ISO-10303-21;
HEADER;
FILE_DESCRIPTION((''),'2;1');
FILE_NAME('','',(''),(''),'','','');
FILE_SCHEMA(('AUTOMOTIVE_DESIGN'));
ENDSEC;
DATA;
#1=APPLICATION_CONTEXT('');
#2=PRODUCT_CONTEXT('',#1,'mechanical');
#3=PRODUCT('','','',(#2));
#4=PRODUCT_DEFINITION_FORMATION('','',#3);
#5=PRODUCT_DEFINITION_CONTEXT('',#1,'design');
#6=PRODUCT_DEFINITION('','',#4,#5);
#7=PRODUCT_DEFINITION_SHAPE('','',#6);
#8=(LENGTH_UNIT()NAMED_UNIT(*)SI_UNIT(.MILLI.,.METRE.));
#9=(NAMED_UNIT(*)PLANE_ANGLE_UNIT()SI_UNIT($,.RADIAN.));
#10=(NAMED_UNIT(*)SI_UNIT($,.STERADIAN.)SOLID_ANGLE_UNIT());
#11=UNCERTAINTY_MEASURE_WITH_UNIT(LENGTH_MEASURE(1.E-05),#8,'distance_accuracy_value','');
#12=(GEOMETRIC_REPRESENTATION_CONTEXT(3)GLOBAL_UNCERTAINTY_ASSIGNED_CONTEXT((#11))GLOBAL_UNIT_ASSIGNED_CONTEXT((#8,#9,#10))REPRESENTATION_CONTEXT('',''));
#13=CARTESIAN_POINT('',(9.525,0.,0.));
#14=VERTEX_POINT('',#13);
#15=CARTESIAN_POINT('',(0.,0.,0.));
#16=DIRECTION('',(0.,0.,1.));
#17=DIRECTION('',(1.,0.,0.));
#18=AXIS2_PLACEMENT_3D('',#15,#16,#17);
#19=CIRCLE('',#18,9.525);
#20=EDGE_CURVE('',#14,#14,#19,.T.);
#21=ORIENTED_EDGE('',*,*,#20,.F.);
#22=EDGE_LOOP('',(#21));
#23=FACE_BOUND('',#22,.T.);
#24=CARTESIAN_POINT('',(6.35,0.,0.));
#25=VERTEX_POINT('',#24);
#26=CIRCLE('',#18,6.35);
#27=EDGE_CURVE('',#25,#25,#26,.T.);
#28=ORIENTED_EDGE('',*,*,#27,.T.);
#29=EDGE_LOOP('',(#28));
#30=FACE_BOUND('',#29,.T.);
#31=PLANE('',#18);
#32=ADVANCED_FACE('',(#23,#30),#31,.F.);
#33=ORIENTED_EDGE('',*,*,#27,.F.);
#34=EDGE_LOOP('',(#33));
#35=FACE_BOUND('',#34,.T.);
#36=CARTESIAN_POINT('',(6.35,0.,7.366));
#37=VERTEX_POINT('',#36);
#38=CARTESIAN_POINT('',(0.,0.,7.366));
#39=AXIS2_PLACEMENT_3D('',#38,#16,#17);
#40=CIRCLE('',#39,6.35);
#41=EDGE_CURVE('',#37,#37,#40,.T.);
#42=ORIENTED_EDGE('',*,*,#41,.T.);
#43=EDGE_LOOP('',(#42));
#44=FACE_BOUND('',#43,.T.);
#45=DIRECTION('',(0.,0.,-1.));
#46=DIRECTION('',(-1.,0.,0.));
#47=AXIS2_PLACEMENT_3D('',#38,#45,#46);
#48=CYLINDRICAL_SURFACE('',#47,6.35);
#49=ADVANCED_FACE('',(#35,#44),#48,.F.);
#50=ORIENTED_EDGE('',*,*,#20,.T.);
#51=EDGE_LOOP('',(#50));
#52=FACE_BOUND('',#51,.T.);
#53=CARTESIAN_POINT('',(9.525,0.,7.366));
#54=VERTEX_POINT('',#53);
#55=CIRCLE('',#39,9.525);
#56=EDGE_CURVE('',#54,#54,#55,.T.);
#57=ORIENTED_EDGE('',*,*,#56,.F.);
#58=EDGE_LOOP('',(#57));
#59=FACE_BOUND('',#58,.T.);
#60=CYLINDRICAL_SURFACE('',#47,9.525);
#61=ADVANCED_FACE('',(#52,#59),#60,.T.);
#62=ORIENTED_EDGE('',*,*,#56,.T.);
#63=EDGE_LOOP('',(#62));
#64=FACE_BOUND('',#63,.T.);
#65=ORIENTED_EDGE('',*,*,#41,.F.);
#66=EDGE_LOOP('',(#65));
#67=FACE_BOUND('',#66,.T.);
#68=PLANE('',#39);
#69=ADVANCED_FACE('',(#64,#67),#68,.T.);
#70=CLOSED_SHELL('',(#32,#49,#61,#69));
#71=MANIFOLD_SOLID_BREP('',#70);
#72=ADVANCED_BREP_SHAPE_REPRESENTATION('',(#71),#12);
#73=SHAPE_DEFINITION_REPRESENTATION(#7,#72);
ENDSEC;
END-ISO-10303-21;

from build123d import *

# Parameters (mm, degrees)
SKETCH1_R           = 9.525
SKETCH1_R_2         = 6.35
BOSS_EXTRUDE1_DEPTH = 7.366


with BuildPart() as part:
    # Sketch1 → Boss-Extrude1 (new body)
    with BuildSketch(Plane.XY):
        Circle(SKETCH1_R)
        Circle(SKETCH1_R_2, mode=Mode.SUBTRACT)
    extrude(amount=BOSS_EXTRUDE1_DEPTH)


solid = part.part
